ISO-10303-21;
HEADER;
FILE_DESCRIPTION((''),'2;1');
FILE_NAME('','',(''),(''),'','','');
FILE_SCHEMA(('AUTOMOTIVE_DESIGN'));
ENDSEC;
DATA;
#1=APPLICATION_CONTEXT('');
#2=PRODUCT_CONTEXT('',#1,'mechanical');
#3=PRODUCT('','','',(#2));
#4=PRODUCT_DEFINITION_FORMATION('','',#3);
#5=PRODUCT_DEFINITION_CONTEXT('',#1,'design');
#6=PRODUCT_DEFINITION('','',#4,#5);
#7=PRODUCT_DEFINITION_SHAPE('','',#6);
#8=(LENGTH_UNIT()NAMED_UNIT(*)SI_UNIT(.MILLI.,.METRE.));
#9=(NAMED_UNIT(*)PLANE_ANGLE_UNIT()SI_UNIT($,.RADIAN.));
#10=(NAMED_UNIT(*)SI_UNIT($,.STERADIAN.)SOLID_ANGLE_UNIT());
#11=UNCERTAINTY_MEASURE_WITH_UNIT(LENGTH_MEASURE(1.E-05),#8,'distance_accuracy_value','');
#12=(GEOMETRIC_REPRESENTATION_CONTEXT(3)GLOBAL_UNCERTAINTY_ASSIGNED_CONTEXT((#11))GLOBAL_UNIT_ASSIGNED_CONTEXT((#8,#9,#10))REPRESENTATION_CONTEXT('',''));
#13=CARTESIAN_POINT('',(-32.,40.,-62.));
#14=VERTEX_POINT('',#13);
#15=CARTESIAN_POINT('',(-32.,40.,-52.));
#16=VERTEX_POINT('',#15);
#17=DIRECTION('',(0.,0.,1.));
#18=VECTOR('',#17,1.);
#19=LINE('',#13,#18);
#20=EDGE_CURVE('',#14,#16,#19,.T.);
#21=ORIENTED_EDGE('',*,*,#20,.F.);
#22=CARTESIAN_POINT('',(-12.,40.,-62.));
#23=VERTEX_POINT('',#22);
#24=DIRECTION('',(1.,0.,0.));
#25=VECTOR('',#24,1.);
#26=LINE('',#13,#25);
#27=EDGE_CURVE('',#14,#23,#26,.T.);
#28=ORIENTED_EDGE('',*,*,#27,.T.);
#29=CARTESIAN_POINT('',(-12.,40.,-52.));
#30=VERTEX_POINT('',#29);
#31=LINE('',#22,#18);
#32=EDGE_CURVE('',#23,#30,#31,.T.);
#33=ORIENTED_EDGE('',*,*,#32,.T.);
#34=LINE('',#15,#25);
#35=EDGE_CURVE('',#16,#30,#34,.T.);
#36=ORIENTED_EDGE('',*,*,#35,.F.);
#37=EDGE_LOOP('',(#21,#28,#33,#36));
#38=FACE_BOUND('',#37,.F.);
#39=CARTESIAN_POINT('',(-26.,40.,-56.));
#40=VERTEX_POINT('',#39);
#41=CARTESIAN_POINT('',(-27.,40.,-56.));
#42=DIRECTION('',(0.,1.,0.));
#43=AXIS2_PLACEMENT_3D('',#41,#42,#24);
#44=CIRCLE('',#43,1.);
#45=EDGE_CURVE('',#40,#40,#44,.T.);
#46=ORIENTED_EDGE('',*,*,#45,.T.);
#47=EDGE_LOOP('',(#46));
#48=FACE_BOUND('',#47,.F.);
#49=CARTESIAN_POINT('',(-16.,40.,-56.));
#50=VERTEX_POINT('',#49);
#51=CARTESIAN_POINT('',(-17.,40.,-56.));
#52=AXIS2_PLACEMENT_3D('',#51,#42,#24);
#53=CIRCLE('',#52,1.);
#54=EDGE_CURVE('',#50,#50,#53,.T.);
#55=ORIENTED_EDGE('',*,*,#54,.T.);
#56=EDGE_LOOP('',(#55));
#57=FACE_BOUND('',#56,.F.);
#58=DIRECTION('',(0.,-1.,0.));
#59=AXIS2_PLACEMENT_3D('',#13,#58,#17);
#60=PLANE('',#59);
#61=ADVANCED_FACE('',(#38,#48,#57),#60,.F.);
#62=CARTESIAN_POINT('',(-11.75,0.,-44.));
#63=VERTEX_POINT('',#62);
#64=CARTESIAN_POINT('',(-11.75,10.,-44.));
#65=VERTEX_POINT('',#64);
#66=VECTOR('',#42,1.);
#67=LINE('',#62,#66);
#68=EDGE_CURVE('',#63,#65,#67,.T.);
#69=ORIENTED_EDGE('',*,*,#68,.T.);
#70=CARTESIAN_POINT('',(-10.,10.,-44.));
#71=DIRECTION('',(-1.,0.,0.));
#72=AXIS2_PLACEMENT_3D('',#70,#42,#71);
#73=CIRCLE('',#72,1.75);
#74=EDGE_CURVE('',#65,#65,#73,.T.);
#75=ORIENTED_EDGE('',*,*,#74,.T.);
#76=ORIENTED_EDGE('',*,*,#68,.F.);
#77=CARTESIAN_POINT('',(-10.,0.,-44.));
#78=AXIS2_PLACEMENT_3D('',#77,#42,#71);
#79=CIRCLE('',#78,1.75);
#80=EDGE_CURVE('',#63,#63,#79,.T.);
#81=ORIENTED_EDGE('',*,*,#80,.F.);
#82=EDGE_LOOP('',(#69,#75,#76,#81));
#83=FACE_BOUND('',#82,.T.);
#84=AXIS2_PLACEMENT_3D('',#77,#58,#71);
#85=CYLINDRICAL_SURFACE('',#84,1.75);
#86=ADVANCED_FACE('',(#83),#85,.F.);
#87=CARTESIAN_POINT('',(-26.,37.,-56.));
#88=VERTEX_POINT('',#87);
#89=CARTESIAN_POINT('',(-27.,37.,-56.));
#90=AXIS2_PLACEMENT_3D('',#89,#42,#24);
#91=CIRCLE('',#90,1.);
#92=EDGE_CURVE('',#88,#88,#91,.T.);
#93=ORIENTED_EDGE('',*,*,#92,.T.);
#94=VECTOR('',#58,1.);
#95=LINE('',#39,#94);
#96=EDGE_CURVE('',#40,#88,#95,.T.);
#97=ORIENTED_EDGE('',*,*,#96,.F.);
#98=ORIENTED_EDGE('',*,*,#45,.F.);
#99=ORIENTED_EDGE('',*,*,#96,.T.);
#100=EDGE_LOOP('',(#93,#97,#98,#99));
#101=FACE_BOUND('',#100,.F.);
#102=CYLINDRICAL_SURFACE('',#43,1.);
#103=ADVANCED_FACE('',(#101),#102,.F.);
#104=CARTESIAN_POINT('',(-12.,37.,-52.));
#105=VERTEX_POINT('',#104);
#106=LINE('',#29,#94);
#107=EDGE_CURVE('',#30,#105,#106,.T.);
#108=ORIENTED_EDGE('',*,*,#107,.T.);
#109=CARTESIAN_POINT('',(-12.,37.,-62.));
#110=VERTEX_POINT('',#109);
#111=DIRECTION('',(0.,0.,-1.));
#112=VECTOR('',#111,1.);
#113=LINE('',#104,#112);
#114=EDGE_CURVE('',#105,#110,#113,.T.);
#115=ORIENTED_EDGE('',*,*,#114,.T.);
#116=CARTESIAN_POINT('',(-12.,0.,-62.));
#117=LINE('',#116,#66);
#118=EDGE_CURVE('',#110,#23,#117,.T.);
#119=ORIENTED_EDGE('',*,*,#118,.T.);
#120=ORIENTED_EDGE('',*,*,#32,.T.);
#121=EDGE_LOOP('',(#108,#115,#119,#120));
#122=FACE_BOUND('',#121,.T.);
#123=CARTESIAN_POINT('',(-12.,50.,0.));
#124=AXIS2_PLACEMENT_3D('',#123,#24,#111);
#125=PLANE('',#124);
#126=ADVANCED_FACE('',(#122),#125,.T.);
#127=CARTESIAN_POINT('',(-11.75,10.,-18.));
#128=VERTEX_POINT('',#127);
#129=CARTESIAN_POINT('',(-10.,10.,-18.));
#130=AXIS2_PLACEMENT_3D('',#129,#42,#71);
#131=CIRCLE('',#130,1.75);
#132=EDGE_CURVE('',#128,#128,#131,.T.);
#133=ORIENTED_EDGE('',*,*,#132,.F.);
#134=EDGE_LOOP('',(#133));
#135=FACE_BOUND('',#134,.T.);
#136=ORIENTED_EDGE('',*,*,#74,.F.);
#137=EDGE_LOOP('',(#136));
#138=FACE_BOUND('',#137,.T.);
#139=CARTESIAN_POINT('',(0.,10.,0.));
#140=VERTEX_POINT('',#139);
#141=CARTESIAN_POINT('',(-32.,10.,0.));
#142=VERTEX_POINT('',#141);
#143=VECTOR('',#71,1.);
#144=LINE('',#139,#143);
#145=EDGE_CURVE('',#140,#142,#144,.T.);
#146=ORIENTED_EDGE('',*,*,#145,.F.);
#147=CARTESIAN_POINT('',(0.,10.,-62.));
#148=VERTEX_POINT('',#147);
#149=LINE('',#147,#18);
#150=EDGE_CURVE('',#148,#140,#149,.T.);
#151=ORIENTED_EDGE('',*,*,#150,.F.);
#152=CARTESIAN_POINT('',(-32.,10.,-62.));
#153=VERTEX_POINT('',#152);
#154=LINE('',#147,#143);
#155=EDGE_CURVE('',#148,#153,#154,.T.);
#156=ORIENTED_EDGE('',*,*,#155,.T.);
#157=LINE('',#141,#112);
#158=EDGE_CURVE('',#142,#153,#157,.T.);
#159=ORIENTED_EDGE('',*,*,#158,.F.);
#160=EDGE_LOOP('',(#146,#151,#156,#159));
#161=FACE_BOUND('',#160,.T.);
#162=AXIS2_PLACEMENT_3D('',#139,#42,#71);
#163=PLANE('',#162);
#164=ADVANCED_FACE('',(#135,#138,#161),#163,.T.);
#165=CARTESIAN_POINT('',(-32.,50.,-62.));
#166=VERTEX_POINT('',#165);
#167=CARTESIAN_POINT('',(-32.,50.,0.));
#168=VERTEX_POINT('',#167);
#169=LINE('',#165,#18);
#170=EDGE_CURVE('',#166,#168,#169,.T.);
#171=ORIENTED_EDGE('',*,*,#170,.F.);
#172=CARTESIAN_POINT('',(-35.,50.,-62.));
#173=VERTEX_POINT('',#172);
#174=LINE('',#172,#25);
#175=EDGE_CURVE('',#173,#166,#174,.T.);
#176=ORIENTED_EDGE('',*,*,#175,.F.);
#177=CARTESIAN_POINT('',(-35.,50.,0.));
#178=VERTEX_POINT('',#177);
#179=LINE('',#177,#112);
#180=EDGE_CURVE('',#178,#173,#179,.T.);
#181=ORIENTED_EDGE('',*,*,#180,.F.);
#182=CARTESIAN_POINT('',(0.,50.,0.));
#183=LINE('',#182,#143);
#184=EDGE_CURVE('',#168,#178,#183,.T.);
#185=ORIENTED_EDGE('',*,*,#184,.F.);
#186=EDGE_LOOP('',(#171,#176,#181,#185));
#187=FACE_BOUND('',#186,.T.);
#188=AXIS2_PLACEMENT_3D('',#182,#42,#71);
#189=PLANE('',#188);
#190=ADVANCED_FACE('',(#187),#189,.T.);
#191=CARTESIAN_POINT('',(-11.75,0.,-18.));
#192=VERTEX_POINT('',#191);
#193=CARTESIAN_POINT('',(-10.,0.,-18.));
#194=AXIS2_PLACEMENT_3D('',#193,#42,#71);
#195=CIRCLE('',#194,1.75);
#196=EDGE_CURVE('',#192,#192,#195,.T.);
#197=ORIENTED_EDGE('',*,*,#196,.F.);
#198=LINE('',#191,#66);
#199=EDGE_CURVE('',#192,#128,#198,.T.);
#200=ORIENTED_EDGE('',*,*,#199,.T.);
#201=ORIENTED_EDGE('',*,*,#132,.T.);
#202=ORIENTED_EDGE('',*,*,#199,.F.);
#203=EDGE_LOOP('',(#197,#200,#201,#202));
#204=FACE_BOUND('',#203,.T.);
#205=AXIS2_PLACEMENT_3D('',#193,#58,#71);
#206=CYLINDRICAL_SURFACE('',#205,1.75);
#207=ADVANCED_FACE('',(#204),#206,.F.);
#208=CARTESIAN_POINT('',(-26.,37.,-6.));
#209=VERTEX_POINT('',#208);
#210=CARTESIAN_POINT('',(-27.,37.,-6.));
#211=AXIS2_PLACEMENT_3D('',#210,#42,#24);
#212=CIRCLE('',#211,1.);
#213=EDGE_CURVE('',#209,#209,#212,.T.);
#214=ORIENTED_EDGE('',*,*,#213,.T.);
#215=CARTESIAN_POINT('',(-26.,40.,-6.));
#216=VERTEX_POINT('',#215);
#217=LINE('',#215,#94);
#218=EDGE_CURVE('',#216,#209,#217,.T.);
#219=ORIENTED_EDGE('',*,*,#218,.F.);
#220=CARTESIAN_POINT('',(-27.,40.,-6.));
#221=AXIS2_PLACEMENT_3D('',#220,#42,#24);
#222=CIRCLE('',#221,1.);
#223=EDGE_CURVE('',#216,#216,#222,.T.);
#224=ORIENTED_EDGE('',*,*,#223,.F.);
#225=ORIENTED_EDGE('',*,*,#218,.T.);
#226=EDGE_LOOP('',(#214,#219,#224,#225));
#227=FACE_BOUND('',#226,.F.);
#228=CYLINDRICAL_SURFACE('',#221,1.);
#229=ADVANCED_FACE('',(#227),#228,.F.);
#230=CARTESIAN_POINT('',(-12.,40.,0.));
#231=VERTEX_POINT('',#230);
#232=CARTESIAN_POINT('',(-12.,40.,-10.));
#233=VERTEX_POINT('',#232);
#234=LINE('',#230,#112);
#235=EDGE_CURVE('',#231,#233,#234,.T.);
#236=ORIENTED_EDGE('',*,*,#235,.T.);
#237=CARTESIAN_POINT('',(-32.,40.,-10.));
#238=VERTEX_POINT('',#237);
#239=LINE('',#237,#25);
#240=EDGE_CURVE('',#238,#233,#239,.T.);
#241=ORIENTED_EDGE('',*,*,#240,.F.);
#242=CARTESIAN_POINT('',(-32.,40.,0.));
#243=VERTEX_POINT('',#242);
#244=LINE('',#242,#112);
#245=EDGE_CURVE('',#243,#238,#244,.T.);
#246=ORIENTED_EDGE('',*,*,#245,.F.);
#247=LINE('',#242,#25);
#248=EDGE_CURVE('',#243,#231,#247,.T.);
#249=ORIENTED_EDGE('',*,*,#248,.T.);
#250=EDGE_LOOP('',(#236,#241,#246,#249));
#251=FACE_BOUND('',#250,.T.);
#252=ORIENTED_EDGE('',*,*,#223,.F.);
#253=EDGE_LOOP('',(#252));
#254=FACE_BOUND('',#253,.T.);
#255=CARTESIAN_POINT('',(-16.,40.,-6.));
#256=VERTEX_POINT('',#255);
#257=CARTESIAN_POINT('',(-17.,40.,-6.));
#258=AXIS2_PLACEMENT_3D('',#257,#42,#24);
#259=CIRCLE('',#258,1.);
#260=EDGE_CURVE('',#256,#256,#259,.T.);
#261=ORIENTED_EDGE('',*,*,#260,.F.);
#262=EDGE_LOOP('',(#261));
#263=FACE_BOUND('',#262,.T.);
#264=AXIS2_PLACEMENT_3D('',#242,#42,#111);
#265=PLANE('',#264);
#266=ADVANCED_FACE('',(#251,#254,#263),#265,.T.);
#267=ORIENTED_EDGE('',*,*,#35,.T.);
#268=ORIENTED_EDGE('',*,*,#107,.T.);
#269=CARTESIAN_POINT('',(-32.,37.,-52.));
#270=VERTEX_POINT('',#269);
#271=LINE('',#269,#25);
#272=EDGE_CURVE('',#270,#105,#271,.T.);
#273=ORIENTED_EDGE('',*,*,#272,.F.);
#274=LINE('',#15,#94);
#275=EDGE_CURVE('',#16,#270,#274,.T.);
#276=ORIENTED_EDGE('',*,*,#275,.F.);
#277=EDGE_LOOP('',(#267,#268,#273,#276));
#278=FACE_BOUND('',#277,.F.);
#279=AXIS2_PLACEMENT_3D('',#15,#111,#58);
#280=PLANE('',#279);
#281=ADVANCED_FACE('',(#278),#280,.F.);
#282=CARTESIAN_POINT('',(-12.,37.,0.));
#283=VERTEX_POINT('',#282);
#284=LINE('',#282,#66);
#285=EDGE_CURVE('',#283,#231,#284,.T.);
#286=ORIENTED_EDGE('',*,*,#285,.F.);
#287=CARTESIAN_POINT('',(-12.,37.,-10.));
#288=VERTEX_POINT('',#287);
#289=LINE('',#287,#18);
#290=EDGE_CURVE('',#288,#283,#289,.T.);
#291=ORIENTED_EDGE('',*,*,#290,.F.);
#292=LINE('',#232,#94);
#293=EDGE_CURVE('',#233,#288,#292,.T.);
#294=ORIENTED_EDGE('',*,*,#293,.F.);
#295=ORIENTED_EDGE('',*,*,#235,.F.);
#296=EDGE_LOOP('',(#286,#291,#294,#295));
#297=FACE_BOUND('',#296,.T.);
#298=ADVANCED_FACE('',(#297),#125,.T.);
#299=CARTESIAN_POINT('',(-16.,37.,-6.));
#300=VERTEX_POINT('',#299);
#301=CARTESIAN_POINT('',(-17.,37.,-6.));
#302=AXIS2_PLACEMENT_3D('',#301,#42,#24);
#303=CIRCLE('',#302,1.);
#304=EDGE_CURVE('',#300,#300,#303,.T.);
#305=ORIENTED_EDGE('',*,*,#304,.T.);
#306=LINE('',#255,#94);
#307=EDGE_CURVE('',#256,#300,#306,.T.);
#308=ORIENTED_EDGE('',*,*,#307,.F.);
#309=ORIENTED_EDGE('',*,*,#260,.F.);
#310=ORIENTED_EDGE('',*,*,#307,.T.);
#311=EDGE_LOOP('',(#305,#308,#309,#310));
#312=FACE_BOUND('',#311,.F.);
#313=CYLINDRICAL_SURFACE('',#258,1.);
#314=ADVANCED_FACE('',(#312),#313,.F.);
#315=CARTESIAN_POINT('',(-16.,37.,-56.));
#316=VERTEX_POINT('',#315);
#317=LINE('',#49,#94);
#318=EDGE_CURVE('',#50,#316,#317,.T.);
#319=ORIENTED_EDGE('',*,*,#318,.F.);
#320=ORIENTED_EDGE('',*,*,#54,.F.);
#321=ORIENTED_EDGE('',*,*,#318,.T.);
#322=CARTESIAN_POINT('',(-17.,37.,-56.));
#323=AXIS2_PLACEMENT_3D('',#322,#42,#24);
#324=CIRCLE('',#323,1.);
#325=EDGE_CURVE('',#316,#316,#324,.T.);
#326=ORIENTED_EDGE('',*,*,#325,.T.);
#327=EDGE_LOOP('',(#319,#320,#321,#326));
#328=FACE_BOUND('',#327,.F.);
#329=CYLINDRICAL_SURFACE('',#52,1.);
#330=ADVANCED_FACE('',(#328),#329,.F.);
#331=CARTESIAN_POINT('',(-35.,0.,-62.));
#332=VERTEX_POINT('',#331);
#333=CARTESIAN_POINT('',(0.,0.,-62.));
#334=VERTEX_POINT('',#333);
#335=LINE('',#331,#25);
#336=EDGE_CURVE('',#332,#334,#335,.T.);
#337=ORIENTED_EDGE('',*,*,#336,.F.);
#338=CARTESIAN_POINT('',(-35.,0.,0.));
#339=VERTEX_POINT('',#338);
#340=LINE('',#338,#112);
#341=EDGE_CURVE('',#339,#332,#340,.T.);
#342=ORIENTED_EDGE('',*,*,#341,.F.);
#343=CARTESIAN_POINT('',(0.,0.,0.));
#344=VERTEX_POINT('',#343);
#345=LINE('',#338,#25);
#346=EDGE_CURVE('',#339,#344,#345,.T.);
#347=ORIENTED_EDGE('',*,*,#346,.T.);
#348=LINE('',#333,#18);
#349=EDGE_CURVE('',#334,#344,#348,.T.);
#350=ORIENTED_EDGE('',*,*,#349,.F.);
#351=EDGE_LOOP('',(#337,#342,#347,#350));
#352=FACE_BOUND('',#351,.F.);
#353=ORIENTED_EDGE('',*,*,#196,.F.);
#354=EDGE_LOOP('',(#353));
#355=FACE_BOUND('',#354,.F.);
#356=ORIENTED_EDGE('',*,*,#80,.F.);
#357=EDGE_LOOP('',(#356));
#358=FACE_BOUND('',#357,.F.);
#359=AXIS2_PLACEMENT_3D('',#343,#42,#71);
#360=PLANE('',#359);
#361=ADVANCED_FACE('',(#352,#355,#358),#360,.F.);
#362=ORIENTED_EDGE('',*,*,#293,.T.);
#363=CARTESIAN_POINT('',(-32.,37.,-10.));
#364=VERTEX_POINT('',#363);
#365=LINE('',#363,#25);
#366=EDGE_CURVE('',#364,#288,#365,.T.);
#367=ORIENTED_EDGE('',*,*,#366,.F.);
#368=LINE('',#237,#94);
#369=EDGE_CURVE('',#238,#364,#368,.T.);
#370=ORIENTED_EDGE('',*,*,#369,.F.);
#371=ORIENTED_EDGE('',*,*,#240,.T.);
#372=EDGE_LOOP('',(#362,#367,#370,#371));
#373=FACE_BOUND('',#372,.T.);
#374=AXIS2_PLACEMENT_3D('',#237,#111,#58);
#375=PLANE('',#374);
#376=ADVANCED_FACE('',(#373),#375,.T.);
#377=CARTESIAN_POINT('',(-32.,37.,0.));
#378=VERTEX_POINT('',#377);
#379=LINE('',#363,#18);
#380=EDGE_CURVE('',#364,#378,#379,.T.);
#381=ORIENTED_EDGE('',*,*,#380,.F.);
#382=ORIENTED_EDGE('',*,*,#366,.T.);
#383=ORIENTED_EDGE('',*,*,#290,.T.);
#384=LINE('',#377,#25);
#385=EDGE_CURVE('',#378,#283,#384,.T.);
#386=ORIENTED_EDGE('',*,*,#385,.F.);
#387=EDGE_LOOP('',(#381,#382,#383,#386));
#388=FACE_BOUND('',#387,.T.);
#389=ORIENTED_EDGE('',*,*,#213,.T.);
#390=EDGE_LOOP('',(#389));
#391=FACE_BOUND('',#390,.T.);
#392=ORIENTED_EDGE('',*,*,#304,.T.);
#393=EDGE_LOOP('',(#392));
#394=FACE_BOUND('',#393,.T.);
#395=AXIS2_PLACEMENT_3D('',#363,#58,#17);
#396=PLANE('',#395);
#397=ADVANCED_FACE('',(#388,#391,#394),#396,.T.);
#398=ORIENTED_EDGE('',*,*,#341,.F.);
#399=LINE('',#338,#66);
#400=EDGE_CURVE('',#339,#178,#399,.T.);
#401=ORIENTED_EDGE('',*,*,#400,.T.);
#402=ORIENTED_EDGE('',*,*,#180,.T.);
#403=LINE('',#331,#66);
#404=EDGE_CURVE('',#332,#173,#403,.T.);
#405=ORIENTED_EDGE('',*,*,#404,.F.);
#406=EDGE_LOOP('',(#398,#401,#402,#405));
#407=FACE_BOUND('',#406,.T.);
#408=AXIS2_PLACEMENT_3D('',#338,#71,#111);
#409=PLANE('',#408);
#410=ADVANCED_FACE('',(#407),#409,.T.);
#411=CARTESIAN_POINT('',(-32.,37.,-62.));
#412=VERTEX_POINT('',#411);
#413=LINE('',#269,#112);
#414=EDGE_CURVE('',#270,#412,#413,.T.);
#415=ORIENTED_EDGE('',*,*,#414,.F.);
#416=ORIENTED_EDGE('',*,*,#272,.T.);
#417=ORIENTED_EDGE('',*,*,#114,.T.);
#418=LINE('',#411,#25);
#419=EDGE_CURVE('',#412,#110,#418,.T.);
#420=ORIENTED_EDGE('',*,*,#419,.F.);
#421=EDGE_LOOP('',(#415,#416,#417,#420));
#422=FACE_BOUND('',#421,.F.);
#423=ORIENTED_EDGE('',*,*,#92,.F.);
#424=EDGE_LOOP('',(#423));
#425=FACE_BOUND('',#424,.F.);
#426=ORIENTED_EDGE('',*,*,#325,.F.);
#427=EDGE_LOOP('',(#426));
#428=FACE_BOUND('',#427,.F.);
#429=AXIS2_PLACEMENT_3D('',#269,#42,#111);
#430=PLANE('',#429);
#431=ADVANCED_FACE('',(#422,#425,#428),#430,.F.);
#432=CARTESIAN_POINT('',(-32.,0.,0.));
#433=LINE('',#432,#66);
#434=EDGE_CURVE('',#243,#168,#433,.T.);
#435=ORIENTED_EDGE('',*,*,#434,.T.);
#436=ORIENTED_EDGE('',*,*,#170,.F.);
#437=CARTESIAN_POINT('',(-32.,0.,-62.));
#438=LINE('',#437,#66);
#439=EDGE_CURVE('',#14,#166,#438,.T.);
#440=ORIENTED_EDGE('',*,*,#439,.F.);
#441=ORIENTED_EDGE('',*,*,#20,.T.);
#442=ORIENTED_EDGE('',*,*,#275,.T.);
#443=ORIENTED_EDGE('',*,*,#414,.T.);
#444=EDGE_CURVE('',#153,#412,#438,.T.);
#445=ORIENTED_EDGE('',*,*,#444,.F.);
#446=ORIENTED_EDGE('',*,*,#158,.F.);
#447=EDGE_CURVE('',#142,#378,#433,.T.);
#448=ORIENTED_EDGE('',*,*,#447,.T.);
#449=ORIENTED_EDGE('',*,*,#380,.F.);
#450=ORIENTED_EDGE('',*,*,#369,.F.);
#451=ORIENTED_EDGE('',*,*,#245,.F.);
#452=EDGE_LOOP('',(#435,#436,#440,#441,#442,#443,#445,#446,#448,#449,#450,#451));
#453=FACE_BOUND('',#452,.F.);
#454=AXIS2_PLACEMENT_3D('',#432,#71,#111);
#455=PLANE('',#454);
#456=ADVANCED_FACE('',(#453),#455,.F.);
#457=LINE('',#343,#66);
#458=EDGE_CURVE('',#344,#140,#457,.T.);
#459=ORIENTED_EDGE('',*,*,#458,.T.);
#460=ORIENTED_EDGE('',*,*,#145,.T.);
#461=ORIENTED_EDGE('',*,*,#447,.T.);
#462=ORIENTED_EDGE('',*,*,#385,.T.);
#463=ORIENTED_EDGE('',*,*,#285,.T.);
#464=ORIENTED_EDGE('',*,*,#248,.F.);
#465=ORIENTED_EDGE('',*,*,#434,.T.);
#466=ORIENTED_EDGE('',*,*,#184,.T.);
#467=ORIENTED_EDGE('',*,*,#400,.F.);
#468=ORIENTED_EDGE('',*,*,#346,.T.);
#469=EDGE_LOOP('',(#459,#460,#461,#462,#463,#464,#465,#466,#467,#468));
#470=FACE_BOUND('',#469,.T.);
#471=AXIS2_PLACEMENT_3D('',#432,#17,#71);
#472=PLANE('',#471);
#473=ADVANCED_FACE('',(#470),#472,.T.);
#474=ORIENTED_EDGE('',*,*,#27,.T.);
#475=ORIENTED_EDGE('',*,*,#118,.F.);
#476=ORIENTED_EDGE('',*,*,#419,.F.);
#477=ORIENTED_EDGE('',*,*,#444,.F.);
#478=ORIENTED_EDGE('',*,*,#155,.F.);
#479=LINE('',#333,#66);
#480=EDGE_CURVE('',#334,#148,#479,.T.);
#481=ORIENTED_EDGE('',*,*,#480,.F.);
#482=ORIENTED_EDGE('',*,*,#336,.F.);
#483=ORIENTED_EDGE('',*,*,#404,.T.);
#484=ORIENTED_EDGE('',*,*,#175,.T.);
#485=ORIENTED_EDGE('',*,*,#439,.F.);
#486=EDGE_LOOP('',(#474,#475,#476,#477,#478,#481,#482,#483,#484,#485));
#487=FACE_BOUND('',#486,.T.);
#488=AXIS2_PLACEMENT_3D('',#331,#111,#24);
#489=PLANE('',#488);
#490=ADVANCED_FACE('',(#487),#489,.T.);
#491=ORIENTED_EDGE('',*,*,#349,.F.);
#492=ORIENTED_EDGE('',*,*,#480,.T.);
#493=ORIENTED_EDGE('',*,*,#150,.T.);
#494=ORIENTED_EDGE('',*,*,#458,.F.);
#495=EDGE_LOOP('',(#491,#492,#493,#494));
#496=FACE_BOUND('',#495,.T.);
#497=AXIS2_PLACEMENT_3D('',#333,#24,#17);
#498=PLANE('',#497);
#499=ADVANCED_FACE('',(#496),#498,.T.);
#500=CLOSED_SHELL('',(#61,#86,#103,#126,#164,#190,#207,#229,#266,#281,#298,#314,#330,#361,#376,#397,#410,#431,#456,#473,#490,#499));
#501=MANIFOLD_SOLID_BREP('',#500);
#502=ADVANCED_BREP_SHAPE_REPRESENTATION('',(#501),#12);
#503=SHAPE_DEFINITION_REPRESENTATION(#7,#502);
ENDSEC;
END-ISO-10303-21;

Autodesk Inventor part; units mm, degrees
ref_plane "YZ Plane" through (0, 0, 0) normal (1, 0, 0) x (0, 1, 0)
ref_plane "XZ Plane" through (0, 0, 0) normal (0, 1, 0) x (-1, 0, 0)
ref_plane "XY Plane" through (0, 0, 0) normal (0, 0, 1) x (1, 0, 0)
sketch "Boceto1" plane through (0, 0, 0) normal (0, 1, 0) x (-1, 0, 0)
  line L0 (0, 0) -> (35, 0)
  line L1 (35, 0) -> (35, -62)
  line L2 (35, -62) -> (0, -62)
  line L3 (0, -62) -> (0, 0)
  line L4 (35, 0) -> (32, 0)
  line L5 (32, 0) -> (32, -62)
  line L6 (32, -62) -> (35, -62)
  line L7 (35, -62) -> (35, 0)
  line L8 (32, 0) -> (12, 0)
  line L9 (12, 0) -> (12, -10)
  line L10 (12, -10) -> (32, -10)
  line L11 (32, -10) -> (32, 0)
  line L12 (32, -62) -> (12, -62)
  line L13 (12, -62) -> (12, -52)
  line L14 (12, -52) -> (32, -52)
  line L15 (32, -52) -> (32, -62)
  circle A0 centre (10, -18) radius 1.75
  circle A1 centre (10, -44) radius 1.75
  circle A2 centre (27, -6) radius 1
  circle A3 centre (17, -6) radius 1
  circle A4 centre (27, -56) radius 1
  circle A5 centre (17, -56) radius 1
  dimension "d0" = 35
  dimension "d1" = 62
  dimension "d2" = 3
  dimension "d3" = 20
  dimension "d4" = 10
  dimension "d5" = 20
  dimension "d6" = 10
  dimension "d7" = 3.5
  dimension "d8" = 3.5
  dimension "d9" = 2
  dimension "d10" = 2
  dimension "d11" = 2
  dimension "d12" = 2
extrude "Extrusión1" add sketch "Boceto1" along normal blind 50 contours L0 L1 L2 L5
extrude "Extrusión2" add sketch "Boceto1" along normal blind 10 contours L0 L9 L10 L5 L14 L13 L2 L3 | L0 L5 L10 L9 | L13 L14 L5 L2 | A2 | A3 | A4 | A5
sketch "Boceto2" plane through (-32, 50, 0) normal (1, 0, 0) x (0, 0, -1)
  line L0 (0, -10) -> (10, -10)
  line L1 (10, -10) -> (10, -13)
  line L2 (10, -13) -> (0, -13)
  line L3 (0, -13) -> (0, -10)
  line L4 (62, -50) -> (62, 0) projected
  line L5 (62, -10) -> (52, -10)
  line L6 (52, -10) -> (52, -13)
  line L7 (52, -13) -> (62, -13)
  line L8 (62, -13) -> (62, -10)
  point P0 (0, -50)
  point P1 (62, -13)
  dimension "d17" = 10
  dimension "d18" = 3
  dimension "d19" = 10
  dimension "d20" = 3
extrude "Extrusión3" add sketch "Boceto2" along normal blind 20
sketch "Boceto3" plane through (-32, 40, 0) normal (0, 1, 0) x (1, 0, 0)
  circle A0 centre (5, 6) radius 1
  circle A1 centre (15, 6) radius 1
  circle A2 centre (5, 56) radius 1
  circle A3 centre (15, 56) radius 1
  point P0 (32, 0)
  dimension "d23" = 2
  dimension "d24" = 2
  dimension "d25" = 2
  dimension "d26" = 2
extrude "Extrusión4" cut sketch "Boceto3" against normal blind 3
properties part number "1.1.2.Mounting1"
